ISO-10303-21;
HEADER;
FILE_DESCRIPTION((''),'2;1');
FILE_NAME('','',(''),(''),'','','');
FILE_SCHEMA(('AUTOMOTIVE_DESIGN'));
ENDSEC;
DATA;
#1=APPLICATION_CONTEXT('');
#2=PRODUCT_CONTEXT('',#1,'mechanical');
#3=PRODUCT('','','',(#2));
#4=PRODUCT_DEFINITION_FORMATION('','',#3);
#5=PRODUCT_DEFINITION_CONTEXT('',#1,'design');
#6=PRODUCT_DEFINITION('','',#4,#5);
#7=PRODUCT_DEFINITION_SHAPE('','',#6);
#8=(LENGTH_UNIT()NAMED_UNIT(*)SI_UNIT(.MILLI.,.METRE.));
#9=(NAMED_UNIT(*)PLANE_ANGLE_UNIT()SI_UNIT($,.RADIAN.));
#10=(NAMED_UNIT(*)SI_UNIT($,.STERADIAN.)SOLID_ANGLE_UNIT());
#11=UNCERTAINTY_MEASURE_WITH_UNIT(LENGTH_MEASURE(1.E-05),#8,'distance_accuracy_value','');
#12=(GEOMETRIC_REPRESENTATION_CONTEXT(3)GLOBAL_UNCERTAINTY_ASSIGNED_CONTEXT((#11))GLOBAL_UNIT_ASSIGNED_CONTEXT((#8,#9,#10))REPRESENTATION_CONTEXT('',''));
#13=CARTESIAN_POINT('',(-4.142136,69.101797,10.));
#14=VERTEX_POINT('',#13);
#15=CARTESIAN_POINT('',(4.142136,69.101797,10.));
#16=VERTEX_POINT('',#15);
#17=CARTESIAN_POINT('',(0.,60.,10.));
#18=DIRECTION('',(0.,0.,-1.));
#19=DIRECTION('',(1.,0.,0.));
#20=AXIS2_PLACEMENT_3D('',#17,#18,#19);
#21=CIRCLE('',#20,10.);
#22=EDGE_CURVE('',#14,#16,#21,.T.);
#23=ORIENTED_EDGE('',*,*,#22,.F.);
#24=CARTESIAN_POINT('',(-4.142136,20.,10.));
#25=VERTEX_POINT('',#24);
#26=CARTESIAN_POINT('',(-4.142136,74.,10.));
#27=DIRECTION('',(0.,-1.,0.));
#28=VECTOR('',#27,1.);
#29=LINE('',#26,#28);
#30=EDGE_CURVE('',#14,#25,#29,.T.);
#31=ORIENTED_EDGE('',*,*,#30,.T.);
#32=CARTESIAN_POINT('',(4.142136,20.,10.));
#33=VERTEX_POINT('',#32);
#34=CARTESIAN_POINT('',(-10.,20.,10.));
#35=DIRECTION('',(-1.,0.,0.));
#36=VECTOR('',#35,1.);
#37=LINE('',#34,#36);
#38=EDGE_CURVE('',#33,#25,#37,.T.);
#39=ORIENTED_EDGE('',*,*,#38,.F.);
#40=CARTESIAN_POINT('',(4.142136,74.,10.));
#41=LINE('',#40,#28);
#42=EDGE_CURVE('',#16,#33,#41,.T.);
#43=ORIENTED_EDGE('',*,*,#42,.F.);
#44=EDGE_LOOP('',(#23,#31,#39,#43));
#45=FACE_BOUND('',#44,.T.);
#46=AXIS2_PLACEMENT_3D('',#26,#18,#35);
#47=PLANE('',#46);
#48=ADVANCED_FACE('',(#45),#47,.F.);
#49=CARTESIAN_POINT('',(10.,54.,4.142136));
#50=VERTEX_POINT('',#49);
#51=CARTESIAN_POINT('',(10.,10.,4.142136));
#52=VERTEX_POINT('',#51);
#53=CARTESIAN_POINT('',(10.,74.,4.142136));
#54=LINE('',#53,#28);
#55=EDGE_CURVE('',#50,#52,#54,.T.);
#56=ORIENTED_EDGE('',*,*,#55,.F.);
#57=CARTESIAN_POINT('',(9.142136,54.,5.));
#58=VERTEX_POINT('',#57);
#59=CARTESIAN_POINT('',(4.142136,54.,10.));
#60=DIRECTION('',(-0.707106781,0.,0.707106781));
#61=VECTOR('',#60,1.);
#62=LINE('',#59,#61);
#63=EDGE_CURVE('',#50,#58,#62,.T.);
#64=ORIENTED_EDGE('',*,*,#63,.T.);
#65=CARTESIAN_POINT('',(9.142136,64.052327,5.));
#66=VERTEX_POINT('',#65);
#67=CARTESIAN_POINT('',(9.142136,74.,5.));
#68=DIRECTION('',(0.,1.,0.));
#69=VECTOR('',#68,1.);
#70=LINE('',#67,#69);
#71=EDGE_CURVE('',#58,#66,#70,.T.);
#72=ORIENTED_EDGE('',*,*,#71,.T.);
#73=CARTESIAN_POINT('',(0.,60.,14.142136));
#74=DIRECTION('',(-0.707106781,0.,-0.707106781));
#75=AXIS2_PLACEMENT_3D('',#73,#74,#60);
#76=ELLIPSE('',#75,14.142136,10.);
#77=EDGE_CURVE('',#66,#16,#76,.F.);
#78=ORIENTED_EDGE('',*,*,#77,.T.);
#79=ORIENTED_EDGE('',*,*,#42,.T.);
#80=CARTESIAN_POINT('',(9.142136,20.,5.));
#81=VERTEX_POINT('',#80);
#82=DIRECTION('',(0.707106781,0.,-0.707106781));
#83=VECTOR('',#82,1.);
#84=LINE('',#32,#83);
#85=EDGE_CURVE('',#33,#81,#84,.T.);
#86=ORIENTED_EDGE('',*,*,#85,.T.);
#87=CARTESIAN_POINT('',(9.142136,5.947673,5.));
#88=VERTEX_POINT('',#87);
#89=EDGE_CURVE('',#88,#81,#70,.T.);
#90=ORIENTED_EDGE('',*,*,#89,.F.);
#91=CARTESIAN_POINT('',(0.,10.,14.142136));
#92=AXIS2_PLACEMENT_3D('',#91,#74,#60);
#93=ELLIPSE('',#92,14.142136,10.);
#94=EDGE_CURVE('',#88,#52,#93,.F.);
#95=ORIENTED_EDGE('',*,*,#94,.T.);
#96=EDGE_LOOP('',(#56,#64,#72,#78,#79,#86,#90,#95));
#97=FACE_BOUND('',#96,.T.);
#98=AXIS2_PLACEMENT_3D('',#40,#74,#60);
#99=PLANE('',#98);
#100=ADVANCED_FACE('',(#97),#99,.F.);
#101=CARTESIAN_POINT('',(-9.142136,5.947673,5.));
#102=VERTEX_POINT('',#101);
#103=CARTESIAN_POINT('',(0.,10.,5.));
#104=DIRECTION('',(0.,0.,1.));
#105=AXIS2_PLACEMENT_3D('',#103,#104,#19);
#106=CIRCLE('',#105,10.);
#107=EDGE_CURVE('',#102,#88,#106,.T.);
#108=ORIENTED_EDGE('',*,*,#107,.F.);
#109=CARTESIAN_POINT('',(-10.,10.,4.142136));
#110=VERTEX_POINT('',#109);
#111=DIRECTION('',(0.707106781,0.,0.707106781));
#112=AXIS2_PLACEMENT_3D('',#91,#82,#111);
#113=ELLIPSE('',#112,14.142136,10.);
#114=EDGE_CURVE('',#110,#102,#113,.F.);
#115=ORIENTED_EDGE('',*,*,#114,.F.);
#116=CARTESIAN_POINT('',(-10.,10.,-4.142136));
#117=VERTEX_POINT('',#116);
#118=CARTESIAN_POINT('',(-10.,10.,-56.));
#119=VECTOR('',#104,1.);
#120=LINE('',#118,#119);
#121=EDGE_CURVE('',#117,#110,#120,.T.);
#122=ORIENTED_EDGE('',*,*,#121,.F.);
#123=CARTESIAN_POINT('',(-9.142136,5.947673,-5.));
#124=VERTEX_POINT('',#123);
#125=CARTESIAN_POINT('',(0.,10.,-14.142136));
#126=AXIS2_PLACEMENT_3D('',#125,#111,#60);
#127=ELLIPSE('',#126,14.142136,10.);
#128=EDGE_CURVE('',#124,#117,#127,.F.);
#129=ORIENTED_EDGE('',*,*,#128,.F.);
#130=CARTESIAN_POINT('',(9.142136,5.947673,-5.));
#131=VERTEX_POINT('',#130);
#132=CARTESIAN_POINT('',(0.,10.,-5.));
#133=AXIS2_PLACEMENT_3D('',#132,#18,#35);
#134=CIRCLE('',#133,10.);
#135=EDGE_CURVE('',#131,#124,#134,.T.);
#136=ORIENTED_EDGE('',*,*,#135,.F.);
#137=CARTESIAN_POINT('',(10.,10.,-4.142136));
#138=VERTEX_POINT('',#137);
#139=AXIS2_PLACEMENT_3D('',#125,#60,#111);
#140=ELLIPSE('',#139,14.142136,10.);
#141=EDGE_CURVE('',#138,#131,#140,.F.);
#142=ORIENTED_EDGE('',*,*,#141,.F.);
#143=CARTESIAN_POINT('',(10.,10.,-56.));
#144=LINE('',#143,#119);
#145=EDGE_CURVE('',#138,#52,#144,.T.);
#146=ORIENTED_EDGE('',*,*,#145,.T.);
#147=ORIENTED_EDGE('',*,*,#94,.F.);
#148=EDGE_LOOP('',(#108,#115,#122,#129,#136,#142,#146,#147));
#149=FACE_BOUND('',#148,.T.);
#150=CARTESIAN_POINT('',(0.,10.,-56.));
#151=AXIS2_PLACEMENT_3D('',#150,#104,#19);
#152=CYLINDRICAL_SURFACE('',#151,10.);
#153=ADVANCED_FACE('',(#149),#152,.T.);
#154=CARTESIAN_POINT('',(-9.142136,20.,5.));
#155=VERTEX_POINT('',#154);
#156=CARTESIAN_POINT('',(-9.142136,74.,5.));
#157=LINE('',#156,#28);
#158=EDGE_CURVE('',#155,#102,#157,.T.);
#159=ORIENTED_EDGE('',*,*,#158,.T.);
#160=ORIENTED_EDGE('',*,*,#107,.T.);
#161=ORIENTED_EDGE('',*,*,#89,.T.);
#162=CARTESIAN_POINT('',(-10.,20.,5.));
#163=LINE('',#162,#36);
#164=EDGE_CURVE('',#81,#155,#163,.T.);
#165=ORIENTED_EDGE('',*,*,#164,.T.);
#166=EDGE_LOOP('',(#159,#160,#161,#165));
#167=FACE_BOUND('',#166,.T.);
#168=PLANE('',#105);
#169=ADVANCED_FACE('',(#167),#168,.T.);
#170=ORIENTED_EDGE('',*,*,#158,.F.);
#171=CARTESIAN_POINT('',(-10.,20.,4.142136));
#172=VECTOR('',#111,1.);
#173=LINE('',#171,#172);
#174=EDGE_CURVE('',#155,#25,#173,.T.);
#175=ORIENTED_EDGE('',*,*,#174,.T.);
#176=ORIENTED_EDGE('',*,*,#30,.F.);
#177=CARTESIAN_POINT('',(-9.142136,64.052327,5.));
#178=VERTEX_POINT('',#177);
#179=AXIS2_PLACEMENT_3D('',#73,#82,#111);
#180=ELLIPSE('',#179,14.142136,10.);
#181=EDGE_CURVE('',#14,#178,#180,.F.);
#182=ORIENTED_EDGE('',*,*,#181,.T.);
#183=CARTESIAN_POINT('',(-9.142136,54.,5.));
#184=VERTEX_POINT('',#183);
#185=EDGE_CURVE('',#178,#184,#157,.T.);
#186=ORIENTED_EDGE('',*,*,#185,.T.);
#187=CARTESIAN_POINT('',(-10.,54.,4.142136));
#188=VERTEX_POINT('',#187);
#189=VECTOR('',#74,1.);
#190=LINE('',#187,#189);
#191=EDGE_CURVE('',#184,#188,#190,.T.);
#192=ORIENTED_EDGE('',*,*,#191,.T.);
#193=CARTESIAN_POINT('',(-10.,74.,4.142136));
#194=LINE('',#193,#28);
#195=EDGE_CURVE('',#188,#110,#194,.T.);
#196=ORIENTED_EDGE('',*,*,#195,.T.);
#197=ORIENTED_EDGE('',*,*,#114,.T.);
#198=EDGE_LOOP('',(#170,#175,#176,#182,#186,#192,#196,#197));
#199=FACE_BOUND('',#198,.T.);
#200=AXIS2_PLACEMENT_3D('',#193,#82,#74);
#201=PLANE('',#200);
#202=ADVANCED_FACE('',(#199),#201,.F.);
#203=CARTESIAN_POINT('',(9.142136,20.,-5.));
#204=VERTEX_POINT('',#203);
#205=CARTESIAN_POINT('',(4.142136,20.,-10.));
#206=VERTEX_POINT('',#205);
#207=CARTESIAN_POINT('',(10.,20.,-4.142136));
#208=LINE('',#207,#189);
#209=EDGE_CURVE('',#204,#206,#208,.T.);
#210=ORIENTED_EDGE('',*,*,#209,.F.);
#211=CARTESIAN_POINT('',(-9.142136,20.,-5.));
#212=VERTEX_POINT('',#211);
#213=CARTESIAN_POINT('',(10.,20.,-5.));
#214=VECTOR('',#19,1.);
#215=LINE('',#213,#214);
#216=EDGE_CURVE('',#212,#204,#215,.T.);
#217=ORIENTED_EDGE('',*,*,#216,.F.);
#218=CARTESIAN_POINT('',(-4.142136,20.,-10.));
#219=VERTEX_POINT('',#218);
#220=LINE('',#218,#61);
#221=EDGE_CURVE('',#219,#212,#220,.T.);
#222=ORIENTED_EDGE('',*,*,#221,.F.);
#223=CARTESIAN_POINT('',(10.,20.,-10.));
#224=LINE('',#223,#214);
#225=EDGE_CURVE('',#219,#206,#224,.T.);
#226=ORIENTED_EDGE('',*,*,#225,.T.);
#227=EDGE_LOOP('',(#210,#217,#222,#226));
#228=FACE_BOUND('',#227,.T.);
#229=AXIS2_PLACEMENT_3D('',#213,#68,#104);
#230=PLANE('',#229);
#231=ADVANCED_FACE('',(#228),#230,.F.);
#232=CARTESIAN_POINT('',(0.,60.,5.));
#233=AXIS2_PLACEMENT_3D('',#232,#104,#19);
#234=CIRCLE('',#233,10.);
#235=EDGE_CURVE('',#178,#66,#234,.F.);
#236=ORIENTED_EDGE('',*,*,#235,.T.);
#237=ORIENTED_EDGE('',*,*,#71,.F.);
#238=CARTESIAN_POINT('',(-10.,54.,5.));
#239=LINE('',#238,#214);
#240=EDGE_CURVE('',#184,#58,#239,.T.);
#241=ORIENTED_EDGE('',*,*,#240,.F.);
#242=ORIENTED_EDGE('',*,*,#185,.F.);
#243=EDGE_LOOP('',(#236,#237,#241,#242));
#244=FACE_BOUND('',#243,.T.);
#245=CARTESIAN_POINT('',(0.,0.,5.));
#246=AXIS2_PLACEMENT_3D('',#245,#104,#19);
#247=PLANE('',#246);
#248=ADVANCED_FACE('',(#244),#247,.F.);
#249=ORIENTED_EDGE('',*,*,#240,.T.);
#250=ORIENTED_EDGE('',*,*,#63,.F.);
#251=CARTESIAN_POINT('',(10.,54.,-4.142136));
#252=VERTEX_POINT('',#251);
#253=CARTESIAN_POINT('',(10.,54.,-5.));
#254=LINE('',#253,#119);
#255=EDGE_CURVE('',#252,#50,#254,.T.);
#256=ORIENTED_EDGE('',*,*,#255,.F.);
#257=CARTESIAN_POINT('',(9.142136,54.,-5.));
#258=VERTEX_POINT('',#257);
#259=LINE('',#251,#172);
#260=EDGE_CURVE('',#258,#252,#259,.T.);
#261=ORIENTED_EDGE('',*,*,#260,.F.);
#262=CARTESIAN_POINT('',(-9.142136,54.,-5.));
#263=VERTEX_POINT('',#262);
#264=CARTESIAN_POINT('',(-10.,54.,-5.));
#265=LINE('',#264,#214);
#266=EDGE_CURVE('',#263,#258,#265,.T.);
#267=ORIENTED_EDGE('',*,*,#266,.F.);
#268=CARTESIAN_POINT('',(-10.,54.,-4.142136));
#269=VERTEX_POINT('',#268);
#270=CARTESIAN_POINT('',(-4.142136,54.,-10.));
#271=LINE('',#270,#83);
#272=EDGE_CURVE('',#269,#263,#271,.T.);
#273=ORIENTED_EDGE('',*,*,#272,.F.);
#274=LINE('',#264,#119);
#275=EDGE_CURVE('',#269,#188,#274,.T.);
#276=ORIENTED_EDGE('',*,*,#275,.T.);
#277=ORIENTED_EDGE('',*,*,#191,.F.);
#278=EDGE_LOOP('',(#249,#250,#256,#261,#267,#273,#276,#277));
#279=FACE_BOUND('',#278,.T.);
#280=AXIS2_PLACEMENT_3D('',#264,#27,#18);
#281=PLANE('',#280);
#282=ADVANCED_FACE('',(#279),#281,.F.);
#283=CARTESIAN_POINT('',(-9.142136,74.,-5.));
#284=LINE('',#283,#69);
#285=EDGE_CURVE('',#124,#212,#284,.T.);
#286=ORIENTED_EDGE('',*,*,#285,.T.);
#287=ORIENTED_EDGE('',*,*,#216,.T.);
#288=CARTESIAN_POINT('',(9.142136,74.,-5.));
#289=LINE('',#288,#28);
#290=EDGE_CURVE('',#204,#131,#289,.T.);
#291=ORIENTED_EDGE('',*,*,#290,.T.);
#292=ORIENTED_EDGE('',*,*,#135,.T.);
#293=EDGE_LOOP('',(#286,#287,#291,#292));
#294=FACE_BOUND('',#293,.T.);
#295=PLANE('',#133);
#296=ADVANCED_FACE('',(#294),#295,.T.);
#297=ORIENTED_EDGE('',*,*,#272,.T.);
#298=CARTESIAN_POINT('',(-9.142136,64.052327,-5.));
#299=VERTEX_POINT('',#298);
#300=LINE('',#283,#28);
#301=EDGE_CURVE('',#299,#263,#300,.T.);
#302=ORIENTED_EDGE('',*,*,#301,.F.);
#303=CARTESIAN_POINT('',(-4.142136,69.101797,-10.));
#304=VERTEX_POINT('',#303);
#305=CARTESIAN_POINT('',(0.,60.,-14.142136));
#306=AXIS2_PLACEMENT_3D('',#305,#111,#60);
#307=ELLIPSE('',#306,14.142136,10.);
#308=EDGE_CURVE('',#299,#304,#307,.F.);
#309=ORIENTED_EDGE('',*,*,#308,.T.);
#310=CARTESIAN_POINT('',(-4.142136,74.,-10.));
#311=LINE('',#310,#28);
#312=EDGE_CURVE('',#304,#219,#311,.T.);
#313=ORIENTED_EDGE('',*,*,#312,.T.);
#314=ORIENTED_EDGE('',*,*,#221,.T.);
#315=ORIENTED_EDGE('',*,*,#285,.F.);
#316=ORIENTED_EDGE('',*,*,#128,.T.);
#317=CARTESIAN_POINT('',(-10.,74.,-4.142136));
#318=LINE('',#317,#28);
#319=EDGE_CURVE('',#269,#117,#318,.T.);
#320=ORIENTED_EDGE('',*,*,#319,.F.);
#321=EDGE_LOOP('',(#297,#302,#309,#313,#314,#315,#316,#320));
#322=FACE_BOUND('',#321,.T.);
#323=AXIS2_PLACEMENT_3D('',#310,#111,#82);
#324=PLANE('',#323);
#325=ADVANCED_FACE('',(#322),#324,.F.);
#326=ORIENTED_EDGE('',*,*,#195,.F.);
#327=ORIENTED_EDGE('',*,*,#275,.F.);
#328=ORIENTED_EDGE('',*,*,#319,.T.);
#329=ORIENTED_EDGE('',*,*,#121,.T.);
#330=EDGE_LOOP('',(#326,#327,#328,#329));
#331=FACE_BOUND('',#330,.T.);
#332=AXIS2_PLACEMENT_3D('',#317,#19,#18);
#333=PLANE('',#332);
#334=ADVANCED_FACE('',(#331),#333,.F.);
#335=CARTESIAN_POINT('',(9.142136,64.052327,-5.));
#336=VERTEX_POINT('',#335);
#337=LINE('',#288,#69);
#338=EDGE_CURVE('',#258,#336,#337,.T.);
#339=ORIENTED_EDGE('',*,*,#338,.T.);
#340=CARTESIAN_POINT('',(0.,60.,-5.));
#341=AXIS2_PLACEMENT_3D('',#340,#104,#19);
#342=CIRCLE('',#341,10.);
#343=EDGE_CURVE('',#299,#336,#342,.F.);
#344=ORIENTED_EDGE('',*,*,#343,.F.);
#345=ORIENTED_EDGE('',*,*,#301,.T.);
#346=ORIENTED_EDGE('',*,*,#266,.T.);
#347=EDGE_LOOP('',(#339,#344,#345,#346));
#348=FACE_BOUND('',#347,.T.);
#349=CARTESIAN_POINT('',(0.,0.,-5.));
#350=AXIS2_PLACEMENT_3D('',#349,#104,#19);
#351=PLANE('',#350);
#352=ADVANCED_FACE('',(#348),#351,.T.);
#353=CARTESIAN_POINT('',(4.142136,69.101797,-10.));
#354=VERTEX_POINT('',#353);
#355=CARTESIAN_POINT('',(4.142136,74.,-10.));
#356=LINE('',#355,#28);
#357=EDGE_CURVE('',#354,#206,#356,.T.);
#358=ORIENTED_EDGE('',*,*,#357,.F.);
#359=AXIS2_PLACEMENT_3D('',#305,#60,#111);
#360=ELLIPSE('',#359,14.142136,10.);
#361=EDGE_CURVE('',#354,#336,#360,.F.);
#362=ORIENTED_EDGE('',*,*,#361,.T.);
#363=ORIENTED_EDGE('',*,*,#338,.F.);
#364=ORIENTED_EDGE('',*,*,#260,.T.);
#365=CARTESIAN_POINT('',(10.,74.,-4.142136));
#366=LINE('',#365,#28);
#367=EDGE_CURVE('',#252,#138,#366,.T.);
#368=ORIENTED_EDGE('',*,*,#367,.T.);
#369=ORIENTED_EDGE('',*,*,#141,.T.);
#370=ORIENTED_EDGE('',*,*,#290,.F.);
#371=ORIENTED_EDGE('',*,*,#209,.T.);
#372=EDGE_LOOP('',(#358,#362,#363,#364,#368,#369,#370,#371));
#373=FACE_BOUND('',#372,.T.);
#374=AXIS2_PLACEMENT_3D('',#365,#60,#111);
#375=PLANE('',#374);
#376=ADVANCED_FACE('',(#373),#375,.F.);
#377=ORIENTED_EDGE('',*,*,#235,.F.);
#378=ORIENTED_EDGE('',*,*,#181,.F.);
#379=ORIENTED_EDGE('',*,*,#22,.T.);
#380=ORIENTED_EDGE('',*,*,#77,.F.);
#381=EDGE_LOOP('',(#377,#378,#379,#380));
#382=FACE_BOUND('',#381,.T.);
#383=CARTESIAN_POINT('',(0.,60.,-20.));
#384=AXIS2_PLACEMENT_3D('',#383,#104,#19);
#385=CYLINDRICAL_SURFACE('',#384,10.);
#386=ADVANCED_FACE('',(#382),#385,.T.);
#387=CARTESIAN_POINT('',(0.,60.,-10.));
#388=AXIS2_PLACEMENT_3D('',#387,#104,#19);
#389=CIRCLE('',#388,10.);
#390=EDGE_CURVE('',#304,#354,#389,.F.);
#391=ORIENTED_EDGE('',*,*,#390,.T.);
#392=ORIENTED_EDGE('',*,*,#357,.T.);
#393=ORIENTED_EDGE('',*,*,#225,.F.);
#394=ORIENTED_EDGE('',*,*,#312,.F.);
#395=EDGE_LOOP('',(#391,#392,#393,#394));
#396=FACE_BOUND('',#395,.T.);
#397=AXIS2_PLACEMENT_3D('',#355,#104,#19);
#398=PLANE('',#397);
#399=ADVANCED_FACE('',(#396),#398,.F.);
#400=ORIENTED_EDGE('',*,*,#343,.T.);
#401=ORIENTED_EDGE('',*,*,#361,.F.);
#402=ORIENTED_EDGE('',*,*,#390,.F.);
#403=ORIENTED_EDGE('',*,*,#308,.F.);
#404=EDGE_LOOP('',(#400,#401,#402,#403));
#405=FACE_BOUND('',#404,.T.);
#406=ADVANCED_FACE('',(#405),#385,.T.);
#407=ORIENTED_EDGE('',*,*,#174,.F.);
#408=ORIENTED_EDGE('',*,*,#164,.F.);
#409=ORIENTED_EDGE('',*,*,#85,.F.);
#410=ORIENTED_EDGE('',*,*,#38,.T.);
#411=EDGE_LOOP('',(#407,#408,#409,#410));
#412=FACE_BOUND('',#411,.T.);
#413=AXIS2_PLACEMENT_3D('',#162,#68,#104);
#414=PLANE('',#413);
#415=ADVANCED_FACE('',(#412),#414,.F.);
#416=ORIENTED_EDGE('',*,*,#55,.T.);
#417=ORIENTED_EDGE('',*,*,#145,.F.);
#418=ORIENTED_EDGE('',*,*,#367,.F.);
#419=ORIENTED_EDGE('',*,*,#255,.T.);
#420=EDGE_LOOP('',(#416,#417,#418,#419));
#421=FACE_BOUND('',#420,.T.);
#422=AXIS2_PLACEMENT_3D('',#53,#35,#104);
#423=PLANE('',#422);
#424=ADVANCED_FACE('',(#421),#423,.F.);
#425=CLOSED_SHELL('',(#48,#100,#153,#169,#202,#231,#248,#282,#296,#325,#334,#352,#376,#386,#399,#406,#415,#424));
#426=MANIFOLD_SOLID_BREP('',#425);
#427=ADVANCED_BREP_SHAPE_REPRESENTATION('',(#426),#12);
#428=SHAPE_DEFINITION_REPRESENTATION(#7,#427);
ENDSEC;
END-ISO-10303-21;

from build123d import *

# Parameters (mm, degrees)
EXTRUDE_1_DEPTH     = 74
CUT_EXTRUDE_1_DEPTH = 66
CUT_EXTRUDE_2_DEPTH = 5
CUT_EXTRUDE_START   = -5
CUT_EXTRUDE_3_DEPTH = 5
SKETCH_6_W          = 20
SKETCH_6_H          = 20
CUT_EXTRUDE_4_DEPTH = 5
CUT_EXTRUDE_5_DEPTH = 30


with BuildPart() as part:
    # 草图1 → 凸台-拉伸1 (new body)
    with BuildSketch(Plane(origin=(0, 0, 0), x_dir=(1, 0, 0), z_dir=(0, 1, 0))):
        Polygon((10, 4.142135624), (4.142135624, 10), (-4.142135624, 10), (-10, 4.142135624), (-10, -4.142135624), (-4.142135624, -10), (4.142135624, -10), (10, -4.142135624), align=None)
    extrude(amount=EXTRUDE_1_DEPTH)

    # 草图2 → 切除-拉伸1 (cut)
    with BuildSketch(Plane.XY.offset(10)):
        with BuildLine():
            Line((-10, 10), (-10, -2.389295552))
            Line((-10, -2.389295552), (10, -2.389295552))
            Line((10, -2.389295552), (10, 10))
            ThreePointArc((10, 10), (0, 0), (-10, 10))
        make_face()
    extrude(amount=-CUT_EXTRUDE_1_DEPTH, mode=Mode.SUBTRACT)

    # 草图4 → 切除-拉伸2 (cut)
    with BuildSketch(Plane.XY.offset(10)):
        with BuildLine():
            Line((-10, 10), (-10, 20))
            Line((-10, 20), (10, 20))
            Line((10, 20), (10, 10))
            ThreePointArc((10, 10), (0, 0), (-10, 10))
        make_face()
    extrude(amount=-CUT_EXTRUDE_2_DEPTH, mode=Mode.SUBTRACT)

    # 草图5 → 切除-拉伸3 (cut)
    with BuildSketch(Plane(origin=(0, 0, -10), x_dir=(-1, 0, 0), z_dir=(0, 0, -1)).offset(CUT_EXTRUDE_START)):
        with BuildLine():
            Line((-10, 10), (-10, 20))
            Line((-10, 20), (10, 20))
            Line((10, 20), (10, 10))
            ThreePointArc((10, 10), (0, 0), (-10, 10))
        make_face()
    extrude(amount=CUT_EXTRUDE_3_DEPTH, mode=Mode.SUBTRACT)

    # 草图6 → 切除-拉伸4 (cut, symmetric)
    with BuildSketch(Plane.XY):
        with Locations((0, 64)):
            Rectangle(SKETCH_6_W, SKETCH_6_H)
    extrude(amount=CUT_EXTRUDE_4_DEPTH, both=True, mode=Mode.SUBTRACT)

    # 草图7 → 切除-拉伸5 (cut)
    with BuildSketch(Plane.XY.offset(10)):
        with BuildLine():
            Line((-10, 60), (-10, 79.107913371))
            Line((-10, 79.107913371), (10, 79.107913371))
            Line((10, 79.107913371), (10, 60))
            ThreePointArc((10, 60), (0, 70), (-10, 60))
        make_face()
    extrude(amount=-CUT_EXTRUDE_5_DEPTH, mode=Mode.SUBTRACT)


solid = part.part
